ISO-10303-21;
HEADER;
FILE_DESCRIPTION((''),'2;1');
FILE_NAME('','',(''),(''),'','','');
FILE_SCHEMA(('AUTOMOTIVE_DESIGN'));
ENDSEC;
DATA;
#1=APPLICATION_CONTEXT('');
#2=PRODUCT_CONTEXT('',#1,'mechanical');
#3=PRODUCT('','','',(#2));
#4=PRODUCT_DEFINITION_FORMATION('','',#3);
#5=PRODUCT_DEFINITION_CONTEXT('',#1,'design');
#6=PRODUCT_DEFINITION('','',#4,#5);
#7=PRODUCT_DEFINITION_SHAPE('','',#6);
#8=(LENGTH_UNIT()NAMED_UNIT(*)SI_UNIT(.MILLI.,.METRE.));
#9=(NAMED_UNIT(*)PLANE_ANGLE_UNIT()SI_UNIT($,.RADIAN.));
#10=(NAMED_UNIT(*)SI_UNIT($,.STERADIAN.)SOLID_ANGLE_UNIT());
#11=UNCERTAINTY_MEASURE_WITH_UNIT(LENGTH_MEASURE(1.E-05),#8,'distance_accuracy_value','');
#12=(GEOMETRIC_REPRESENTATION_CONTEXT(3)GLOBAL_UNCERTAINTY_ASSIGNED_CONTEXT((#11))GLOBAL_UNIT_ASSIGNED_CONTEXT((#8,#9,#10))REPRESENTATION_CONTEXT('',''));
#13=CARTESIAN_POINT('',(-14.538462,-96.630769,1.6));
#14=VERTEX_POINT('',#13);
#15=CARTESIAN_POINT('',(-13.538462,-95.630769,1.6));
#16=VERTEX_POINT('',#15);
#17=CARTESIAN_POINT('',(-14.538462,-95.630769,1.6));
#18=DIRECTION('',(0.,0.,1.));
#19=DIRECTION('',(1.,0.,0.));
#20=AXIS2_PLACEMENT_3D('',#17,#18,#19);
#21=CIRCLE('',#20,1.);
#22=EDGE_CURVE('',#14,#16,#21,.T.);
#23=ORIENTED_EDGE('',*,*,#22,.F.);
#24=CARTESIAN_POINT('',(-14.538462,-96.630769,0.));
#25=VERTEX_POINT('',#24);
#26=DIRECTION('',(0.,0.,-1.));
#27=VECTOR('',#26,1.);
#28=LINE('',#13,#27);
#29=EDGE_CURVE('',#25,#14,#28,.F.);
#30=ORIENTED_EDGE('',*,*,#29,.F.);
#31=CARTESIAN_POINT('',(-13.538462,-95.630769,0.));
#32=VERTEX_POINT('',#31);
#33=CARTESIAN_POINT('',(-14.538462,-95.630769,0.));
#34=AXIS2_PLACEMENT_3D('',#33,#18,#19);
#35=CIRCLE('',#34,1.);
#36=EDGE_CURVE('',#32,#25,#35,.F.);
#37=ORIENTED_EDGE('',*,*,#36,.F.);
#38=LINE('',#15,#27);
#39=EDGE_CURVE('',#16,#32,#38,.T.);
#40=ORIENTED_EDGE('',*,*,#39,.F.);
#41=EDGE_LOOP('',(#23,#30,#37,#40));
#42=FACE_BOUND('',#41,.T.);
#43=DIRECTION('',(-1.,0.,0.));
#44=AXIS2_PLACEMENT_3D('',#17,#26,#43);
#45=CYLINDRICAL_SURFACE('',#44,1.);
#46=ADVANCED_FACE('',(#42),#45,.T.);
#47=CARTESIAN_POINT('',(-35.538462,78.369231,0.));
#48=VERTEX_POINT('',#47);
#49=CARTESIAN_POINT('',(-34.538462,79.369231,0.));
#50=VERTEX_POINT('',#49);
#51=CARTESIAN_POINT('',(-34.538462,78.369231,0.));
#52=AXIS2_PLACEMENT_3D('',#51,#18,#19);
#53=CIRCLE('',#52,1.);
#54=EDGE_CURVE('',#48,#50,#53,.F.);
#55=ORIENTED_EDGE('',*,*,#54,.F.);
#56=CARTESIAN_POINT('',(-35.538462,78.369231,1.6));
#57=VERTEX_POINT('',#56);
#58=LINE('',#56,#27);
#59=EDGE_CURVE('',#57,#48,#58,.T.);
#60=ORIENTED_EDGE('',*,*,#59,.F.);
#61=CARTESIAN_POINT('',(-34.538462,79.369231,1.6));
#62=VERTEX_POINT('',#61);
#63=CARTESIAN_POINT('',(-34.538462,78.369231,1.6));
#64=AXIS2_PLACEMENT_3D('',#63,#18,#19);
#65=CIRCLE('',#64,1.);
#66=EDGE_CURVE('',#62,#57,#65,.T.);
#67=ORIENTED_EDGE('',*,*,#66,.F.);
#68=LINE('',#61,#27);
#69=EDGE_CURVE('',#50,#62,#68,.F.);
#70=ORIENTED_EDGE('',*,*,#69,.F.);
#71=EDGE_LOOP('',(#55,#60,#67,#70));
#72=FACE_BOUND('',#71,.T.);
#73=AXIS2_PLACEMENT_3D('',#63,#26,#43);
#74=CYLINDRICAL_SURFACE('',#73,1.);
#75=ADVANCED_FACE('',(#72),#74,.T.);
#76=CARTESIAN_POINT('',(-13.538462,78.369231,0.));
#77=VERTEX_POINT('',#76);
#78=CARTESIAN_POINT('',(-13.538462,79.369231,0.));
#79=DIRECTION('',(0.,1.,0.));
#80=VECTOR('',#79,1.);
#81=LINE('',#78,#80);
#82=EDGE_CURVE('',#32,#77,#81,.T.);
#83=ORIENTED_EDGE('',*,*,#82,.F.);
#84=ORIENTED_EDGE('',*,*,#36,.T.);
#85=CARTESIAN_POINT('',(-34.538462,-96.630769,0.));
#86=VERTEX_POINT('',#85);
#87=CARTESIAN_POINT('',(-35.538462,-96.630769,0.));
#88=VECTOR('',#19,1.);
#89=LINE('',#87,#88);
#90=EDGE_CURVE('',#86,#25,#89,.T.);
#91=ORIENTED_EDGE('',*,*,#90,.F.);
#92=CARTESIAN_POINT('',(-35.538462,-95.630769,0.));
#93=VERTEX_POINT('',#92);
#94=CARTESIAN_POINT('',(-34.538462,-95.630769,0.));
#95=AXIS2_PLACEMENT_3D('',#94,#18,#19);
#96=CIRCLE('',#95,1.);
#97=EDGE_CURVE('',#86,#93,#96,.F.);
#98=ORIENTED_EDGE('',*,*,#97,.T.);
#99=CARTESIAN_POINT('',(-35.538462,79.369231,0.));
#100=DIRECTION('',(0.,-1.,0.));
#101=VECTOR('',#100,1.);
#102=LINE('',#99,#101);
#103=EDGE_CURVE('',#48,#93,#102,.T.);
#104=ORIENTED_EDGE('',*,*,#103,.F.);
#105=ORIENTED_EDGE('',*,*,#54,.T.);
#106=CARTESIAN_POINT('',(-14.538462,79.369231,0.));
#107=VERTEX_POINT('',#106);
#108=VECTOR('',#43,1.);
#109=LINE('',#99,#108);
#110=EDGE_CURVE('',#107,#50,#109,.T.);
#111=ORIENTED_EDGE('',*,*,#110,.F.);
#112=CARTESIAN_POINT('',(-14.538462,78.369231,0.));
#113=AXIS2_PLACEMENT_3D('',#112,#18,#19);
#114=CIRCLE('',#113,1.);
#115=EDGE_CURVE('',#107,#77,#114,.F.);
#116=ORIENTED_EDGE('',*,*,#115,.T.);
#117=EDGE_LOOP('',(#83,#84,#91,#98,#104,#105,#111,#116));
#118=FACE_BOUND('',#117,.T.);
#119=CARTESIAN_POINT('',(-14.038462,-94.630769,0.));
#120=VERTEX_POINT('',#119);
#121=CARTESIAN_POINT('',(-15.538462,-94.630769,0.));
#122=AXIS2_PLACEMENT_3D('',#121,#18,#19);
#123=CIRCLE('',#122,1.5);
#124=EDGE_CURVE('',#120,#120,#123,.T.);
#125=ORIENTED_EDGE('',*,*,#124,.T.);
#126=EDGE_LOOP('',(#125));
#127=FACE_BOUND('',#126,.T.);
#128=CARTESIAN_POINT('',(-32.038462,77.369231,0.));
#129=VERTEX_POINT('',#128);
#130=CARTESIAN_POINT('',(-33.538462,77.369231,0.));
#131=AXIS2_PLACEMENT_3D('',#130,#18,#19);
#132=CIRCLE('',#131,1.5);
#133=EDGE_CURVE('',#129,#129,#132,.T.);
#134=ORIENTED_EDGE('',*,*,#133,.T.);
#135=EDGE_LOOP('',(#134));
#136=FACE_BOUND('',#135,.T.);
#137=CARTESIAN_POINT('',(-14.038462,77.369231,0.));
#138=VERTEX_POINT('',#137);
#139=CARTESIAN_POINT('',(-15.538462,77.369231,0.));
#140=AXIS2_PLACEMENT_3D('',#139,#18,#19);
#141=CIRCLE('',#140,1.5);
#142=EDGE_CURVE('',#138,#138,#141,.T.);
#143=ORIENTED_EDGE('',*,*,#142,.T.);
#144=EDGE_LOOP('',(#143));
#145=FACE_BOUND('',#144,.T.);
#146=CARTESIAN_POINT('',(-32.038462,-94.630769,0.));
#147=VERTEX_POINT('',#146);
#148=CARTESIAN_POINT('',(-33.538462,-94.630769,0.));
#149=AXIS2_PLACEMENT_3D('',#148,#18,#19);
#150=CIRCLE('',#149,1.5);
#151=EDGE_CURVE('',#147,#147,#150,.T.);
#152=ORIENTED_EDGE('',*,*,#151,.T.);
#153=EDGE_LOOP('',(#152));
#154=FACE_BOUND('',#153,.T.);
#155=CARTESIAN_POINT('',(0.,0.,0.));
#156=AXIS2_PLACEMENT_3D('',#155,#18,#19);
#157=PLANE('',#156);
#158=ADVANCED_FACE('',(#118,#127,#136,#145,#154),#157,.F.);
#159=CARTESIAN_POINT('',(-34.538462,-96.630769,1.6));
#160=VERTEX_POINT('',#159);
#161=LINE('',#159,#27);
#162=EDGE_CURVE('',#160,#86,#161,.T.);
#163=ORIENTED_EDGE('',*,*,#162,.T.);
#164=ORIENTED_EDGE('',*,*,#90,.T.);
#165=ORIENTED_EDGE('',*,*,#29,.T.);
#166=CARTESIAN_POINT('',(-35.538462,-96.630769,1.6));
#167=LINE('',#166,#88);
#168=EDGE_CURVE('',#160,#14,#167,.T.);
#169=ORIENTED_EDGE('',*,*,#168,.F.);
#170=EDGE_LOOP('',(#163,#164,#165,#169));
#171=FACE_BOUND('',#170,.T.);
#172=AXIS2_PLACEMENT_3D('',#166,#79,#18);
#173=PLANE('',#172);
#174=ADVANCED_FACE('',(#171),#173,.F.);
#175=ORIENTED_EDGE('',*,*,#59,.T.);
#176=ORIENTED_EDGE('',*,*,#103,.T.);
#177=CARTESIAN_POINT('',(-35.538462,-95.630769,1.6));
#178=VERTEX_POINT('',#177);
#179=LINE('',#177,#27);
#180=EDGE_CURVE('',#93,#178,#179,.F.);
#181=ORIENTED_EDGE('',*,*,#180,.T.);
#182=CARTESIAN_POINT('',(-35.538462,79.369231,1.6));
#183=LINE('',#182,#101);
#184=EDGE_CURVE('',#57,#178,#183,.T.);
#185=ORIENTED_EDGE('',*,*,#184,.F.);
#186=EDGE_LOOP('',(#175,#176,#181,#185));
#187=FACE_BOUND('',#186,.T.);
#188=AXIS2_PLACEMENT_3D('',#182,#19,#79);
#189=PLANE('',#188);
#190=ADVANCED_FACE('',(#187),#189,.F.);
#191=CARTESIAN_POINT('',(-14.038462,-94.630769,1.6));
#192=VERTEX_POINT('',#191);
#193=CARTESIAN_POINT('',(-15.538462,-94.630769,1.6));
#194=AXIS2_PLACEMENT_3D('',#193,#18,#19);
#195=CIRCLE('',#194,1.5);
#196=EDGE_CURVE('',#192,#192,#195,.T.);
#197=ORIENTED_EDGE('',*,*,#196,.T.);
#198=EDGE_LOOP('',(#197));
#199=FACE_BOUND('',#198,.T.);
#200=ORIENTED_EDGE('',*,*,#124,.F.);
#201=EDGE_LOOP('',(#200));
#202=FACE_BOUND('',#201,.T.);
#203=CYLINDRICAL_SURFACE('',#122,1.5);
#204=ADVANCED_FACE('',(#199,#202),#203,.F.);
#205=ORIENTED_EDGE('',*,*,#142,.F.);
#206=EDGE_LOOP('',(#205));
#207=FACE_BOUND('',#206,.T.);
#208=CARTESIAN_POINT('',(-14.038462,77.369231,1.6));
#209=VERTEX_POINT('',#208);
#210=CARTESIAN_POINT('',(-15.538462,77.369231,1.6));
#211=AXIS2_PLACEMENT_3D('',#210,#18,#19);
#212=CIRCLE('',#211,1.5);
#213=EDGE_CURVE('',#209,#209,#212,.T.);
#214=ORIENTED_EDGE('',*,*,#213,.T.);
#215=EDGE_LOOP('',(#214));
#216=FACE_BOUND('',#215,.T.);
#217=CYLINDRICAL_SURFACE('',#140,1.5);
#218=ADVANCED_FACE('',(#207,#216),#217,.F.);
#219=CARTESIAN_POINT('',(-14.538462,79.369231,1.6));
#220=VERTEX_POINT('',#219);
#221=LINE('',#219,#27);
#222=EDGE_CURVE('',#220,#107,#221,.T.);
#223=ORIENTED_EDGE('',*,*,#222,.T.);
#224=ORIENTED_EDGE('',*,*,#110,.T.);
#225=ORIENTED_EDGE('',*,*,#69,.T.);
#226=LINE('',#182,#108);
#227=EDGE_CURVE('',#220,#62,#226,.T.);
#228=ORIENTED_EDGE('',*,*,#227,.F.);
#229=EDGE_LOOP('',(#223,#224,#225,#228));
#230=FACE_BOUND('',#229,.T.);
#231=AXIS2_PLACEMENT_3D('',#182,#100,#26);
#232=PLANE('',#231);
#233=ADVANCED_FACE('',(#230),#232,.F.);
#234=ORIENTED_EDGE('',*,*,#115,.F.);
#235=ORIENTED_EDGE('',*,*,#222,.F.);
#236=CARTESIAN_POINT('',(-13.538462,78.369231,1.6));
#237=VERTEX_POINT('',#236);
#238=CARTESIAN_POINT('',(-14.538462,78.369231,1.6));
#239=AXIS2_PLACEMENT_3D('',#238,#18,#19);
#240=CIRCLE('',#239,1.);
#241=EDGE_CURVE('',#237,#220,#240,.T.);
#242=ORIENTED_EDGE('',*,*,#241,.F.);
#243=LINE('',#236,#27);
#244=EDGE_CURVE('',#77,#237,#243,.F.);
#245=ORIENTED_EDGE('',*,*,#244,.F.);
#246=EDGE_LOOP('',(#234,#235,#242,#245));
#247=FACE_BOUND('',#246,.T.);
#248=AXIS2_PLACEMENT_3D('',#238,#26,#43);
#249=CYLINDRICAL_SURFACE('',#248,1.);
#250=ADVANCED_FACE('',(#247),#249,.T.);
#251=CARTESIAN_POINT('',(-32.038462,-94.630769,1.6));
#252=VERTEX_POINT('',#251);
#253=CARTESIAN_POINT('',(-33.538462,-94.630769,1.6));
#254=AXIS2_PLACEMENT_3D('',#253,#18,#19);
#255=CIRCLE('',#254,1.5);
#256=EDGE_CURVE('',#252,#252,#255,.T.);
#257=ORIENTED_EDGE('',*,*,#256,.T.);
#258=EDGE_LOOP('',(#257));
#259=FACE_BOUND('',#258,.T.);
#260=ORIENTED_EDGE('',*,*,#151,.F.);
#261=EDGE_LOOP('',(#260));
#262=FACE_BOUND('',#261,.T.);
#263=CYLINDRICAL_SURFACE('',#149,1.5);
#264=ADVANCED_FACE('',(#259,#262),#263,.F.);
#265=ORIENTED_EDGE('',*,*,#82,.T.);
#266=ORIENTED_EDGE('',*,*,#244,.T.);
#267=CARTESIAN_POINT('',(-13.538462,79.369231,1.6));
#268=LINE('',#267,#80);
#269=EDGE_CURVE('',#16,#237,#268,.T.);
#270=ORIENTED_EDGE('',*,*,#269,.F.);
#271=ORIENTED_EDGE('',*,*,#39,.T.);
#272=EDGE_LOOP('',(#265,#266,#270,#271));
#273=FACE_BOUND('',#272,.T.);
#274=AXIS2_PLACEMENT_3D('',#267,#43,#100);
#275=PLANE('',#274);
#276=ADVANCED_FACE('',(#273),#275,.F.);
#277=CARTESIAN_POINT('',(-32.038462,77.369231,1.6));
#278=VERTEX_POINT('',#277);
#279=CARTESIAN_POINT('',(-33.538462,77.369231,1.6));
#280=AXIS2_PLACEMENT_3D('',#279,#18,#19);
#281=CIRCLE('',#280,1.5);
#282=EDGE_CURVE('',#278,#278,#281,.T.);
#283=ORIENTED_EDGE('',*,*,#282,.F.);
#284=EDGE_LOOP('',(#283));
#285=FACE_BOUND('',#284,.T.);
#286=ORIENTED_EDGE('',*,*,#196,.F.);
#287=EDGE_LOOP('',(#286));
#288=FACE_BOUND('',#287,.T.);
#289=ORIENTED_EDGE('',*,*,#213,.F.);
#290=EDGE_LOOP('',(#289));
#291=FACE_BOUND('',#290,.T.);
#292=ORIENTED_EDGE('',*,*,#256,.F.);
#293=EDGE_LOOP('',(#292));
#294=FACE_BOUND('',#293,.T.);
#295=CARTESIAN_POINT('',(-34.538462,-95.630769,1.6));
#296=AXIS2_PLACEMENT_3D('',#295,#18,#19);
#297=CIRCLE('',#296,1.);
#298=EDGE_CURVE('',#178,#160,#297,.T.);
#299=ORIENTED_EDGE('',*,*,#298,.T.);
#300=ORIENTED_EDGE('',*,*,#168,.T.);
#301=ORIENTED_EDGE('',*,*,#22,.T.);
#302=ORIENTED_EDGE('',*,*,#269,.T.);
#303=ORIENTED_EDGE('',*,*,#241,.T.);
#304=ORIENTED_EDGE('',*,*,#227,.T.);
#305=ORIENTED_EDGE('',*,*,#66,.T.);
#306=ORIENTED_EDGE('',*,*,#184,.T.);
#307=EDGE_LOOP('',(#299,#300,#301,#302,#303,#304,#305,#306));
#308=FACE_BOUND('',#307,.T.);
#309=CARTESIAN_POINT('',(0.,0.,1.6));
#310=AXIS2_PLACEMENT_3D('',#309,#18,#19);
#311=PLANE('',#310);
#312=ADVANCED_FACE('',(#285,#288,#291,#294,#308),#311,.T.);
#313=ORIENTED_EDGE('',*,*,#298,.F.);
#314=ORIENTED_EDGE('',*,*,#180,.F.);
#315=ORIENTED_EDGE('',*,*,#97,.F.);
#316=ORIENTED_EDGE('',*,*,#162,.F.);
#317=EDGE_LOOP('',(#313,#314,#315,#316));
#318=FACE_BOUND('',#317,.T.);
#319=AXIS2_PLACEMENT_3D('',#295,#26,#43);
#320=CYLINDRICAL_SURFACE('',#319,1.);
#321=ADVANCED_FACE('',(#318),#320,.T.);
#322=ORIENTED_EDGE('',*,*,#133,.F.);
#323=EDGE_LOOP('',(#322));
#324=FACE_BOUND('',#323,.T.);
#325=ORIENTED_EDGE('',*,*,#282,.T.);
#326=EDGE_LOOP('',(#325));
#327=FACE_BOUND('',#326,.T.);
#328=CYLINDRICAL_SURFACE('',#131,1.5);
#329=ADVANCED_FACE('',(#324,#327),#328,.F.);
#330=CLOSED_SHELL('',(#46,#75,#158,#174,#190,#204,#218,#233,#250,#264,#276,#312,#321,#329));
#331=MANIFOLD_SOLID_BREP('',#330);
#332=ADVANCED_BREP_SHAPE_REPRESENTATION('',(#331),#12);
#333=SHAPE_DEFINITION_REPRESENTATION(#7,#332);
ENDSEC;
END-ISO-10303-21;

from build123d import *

# Parameters (mm, degrees)
SKETCH1_W           = 22
SKETCH1_H           = 176
BOSS_EXTRUDE1_DEPTH = 1.6
SKETCH2_R           = 1.5
CUT_EXTRUDE1_DEPTH  = 2.6
FILLET1_R           = 1


with BuildPart() as part:
    # Sketch1 → Boss-Extrude1 (new body)
    with BuildSketch(Plane.XY):
        with Locations((-24.538461538, -8.630769231)):
            Rectangle(SKETCH1_W, SKETCH1_H)
    extrude(amount=BOSS_EXTRUDE1_DEPTH)

    # Sketch2 → Cut-Extrude1 (cut, through all)
    with BuildSketch(Plane.XY.offset(1.6)):
        with Locations((-33.538461538, 77.369230769)):
            Circle(SKETCH2_R)
        with Locations((-15.538461538, 77.369230769)):
            Circle(SKETCH2_R)
        with Locations((-33.538461538, -94.630769231)):
            Circle(SKETCH2_R)
        with Locations((-15.538461538, -94.630769231)):
            Circle(SKETCH2_R)
    extrude(amount=-CUT_EXTRUDE1_DEPTH, mode=Mode.SUBTRACT)

    # Fillet1
    fillet1_edges = [part.edges().sort_by_distance(p)[0] for p in [
        (-35.538461538, 79.369230769, 0.8),
        (-13.538461538, 79.369230769, 0.8),
        (-13.538461538, -96.630769231, 0.8),
        (-35.538461538, -96.630769231, 0.8),
    ]]
    fillet(fillet1_edges, radius=FILLET1_R)


solid = part.part
